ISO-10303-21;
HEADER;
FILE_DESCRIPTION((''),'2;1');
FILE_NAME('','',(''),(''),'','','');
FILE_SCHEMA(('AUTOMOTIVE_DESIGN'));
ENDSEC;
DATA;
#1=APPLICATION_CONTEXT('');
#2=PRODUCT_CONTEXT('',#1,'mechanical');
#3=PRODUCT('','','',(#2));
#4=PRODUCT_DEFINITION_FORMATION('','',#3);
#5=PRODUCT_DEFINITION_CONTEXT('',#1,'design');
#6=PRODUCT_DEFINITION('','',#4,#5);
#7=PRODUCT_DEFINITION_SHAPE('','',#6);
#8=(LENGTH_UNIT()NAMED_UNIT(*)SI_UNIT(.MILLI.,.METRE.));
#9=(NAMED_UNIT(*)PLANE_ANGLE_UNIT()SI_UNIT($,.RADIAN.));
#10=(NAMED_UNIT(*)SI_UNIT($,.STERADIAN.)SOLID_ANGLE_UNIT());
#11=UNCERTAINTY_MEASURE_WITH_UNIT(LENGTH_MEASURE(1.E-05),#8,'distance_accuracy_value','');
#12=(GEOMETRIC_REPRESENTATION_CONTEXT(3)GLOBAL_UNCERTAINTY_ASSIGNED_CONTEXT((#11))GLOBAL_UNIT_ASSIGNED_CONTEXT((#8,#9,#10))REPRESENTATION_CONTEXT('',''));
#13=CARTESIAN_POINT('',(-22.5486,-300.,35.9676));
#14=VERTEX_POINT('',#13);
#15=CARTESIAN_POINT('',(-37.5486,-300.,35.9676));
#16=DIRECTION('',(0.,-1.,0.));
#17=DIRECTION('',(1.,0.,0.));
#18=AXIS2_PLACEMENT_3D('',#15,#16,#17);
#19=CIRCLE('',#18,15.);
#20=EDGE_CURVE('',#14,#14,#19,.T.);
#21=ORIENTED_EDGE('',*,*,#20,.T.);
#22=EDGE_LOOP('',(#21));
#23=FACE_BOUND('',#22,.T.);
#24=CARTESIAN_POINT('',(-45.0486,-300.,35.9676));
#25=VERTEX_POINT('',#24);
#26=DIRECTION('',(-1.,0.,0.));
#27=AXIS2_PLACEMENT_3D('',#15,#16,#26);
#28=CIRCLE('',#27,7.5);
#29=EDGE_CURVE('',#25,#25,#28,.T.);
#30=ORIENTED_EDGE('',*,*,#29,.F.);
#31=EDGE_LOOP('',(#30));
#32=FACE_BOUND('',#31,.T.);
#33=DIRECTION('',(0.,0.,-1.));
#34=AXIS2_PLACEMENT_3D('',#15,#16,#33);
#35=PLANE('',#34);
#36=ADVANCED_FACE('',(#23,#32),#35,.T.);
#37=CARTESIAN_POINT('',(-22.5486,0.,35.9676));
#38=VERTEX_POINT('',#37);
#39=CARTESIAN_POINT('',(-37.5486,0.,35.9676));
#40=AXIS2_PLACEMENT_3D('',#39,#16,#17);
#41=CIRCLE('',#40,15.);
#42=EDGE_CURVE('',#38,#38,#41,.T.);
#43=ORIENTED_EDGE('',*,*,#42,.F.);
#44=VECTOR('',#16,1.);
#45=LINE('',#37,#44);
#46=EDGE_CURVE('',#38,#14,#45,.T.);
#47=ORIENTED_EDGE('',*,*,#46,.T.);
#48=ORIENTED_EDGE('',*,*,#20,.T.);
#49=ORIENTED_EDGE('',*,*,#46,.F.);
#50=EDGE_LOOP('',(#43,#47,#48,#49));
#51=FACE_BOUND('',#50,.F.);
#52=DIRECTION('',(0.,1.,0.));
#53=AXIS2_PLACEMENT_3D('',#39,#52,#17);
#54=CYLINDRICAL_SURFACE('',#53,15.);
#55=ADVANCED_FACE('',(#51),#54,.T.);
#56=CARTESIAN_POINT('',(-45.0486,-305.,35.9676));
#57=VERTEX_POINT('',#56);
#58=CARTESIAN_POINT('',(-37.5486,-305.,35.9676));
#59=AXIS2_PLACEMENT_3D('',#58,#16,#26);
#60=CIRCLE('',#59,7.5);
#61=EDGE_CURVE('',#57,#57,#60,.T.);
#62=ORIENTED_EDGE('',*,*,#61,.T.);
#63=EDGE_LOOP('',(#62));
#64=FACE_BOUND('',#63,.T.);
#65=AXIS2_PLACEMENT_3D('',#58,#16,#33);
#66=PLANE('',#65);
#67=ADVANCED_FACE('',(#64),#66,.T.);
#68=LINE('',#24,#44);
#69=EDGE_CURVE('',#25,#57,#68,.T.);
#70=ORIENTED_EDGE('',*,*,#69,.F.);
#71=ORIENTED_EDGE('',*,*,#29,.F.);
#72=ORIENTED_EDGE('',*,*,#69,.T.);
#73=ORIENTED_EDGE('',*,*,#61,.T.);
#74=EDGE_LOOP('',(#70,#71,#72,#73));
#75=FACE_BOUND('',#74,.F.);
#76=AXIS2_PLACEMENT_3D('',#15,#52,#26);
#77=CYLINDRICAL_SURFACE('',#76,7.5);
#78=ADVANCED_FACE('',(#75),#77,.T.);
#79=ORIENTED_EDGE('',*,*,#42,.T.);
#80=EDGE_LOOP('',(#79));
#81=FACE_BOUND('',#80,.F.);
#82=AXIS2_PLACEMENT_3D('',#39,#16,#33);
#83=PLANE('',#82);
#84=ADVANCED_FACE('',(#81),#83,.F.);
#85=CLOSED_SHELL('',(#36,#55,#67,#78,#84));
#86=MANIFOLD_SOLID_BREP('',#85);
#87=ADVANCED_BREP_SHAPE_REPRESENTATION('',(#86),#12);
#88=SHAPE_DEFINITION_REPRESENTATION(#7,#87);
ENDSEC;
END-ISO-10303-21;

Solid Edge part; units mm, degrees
sketch "Sketch1" plane through (0, 0, 0) normal (0, -1, 0) x (1, 0, 0)
  circle A0 centre (-37.5486, 35.9676) radius 15
extrude "Protrusion1" add sketch "Sketch1" along normal blind 300
sketch "Sketch2" plane through (-37.5486, -300, 35.9676) normal (0, -1, 0) x (-1, 0, 0)
  circle A0 centre (0, 0) radius 7.5
extrude "ExtrudedProtrusion_2" add sketch "Sketch2" along normal blind 5
properties material "Aluminum, 6061-T6"
